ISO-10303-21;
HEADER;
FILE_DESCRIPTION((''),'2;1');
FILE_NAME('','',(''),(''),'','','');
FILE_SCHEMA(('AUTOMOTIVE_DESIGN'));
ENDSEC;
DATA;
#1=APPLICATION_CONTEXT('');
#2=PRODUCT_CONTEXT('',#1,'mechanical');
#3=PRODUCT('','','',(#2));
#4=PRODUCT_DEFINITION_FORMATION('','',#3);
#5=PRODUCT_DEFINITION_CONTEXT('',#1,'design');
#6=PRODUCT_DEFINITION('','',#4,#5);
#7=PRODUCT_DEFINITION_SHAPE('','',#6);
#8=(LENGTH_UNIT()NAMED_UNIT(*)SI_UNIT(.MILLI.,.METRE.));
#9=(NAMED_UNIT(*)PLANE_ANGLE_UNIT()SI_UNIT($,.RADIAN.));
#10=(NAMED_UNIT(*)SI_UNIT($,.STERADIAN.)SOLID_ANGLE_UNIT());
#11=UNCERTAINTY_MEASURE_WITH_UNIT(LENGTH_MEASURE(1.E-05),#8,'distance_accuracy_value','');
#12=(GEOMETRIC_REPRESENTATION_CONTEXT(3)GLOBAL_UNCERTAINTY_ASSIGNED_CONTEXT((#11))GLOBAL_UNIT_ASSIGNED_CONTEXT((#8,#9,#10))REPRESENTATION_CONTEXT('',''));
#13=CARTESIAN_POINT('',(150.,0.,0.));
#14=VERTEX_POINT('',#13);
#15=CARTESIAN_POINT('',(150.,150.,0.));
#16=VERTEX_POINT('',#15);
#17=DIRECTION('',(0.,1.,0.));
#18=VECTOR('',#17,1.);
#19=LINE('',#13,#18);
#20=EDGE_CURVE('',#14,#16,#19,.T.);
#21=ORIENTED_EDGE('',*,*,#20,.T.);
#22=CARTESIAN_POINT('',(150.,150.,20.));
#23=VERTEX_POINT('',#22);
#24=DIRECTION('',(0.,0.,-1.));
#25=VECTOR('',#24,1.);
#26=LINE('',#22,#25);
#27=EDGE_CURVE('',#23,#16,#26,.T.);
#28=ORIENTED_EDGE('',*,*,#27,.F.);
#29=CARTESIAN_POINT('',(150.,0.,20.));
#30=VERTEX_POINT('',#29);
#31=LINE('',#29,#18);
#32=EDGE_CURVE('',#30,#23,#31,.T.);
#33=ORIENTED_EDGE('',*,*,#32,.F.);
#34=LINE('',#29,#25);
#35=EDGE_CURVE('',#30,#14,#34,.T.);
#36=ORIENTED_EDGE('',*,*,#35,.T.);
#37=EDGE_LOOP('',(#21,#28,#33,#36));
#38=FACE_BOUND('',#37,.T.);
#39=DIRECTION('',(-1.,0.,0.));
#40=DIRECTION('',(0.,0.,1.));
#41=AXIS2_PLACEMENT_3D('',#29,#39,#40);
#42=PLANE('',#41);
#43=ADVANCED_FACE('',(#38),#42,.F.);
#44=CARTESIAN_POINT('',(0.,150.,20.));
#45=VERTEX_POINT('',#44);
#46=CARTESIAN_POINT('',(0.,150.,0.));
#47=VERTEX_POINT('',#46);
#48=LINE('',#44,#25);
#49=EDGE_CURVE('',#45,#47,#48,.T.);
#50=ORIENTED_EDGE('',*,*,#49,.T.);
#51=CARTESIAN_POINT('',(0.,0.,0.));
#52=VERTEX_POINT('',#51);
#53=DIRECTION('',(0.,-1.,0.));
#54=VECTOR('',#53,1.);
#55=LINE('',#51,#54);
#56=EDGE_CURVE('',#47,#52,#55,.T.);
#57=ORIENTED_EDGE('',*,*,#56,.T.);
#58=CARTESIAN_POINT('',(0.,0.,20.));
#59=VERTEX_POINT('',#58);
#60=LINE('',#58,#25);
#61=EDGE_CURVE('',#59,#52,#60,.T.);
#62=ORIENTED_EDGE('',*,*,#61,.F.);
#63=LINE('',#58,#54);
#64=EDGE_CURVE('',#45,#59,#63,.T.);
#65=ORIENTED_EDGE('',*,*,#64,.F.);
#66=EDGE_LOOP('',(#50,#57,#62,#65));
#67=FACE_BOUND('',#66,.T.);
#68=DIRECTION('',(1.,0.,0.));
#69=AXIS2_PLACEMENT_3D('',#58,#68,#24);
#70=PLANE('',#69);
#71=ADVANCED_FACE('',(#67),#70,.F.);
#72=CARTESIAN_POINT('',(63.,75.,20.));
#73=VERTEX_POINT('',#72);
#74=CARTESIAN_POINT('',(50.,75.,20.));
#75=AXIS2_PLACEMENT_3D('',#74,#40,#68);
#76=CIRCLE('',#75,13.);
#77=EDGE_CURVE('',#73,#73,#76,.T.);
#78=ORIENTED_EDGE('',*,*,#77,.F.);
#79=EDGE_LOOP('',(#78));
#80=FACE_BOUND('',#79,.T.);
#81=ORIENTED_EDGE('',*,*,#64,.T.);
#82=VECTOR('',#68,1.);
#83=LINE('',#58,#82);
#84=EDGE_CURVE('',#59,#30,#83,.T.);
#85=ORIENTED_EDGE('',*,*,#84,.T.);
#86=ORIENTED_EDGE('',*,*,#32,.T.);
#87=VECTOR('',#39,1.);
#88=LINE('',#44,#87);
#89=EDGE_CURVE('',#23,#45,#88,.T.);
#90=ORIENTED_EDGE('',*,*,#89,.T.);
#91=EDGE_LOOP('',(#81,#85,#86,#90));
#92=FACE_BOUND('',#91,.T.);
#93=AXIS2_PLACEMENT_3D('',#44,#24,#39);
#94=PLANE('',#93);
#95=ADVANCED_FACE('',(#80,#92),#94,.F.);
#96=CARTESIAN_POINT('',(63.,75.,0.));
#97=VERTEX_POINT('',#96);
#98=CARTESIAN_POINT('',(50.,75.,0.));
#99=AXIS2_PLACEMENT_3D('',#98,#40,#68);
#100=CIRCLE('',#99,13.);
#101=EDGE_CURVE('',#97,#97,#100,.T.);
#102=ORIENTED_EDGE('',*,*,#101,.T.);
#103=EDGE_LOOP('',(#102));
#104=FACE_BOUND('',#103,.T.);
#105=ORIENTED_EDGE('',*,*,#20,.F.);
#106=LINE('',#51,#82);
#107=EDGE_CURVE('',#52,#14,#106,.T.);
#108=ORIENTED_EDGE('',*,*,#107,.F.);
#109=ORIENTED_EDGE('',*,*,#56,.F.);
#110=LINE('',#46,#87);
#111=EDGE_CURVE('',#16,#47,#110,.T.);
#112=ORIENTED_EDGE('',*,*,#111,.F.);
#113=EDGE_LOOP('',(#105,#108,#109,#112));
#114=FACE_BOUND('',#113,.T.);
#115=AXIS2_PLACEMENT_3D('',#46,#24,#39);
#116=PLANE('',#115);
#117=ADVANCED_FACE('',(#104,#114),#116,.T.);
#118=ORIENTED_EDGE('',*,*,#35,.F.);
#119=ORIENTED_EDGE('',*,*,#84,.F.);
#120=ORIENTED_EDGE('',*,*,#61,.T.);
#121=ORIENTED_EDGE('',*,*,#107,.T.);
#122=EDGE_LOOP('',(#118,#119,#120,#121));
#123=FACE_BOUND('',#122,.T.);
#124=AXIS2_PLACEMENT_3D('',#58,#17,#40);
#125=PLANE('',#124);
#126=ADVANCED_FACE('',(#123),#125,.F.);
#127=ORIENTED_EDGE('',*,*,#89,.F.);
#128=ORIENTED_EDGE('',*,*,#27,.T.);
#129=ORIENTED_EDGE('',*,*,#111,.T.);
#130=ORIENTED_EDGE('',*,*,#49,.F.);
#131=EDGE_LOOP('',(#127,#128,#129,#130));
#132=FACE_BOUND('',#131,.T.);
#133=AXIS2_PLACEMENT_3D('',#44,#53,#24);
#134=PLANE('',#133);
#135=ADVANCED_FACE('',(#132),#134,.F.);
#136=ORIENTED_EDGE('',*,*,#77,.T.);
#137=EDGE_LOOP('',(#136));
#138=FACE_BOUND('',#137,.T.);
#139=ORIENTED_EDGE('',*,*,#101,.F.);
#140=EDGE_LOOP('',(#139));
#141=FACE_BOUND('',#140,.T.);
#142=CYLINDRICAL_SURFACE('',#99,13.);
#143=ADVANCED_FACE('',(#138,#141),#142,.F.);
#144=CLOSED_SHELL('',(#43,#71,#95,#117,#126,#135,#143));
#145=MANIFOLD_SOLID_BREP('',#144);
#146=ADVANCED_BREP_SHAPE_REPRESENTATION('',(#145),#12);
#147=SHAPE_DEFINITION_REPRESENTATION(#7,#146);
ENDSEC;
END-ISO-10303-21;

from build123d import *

# Parameters (mm, degrees)
SKETCH1_W          = 150
SKETCH1_H          = 150
EXTRUDE1_DEPTH     = 20
SKETCH2_R          = 13
CUT_EXTRUDE1_DEPTH = 214.072757527


with BuildPart() as part:
    # Sketch1 → Extrude1 (new body)
    with BuildSketch(Plane.XY):
        with Locations((75, 75)):
            Rectangle(SKETCH1_W, SKETCH1_H)
    extrude(amount=EXTRUDE1_DEPTH)

    # Sketch2 → Cut-Extrude1 (cut, through all)
    with BuildSketch(Plane.XY.offset(20)):
        with Locations((50, 75)):
            Circle(SKETCH2_R)
    extrude(amount=-CUT_EXTRUDE1_DEPTH, mode=Mode.SUBTRACT)


solid = part.part
